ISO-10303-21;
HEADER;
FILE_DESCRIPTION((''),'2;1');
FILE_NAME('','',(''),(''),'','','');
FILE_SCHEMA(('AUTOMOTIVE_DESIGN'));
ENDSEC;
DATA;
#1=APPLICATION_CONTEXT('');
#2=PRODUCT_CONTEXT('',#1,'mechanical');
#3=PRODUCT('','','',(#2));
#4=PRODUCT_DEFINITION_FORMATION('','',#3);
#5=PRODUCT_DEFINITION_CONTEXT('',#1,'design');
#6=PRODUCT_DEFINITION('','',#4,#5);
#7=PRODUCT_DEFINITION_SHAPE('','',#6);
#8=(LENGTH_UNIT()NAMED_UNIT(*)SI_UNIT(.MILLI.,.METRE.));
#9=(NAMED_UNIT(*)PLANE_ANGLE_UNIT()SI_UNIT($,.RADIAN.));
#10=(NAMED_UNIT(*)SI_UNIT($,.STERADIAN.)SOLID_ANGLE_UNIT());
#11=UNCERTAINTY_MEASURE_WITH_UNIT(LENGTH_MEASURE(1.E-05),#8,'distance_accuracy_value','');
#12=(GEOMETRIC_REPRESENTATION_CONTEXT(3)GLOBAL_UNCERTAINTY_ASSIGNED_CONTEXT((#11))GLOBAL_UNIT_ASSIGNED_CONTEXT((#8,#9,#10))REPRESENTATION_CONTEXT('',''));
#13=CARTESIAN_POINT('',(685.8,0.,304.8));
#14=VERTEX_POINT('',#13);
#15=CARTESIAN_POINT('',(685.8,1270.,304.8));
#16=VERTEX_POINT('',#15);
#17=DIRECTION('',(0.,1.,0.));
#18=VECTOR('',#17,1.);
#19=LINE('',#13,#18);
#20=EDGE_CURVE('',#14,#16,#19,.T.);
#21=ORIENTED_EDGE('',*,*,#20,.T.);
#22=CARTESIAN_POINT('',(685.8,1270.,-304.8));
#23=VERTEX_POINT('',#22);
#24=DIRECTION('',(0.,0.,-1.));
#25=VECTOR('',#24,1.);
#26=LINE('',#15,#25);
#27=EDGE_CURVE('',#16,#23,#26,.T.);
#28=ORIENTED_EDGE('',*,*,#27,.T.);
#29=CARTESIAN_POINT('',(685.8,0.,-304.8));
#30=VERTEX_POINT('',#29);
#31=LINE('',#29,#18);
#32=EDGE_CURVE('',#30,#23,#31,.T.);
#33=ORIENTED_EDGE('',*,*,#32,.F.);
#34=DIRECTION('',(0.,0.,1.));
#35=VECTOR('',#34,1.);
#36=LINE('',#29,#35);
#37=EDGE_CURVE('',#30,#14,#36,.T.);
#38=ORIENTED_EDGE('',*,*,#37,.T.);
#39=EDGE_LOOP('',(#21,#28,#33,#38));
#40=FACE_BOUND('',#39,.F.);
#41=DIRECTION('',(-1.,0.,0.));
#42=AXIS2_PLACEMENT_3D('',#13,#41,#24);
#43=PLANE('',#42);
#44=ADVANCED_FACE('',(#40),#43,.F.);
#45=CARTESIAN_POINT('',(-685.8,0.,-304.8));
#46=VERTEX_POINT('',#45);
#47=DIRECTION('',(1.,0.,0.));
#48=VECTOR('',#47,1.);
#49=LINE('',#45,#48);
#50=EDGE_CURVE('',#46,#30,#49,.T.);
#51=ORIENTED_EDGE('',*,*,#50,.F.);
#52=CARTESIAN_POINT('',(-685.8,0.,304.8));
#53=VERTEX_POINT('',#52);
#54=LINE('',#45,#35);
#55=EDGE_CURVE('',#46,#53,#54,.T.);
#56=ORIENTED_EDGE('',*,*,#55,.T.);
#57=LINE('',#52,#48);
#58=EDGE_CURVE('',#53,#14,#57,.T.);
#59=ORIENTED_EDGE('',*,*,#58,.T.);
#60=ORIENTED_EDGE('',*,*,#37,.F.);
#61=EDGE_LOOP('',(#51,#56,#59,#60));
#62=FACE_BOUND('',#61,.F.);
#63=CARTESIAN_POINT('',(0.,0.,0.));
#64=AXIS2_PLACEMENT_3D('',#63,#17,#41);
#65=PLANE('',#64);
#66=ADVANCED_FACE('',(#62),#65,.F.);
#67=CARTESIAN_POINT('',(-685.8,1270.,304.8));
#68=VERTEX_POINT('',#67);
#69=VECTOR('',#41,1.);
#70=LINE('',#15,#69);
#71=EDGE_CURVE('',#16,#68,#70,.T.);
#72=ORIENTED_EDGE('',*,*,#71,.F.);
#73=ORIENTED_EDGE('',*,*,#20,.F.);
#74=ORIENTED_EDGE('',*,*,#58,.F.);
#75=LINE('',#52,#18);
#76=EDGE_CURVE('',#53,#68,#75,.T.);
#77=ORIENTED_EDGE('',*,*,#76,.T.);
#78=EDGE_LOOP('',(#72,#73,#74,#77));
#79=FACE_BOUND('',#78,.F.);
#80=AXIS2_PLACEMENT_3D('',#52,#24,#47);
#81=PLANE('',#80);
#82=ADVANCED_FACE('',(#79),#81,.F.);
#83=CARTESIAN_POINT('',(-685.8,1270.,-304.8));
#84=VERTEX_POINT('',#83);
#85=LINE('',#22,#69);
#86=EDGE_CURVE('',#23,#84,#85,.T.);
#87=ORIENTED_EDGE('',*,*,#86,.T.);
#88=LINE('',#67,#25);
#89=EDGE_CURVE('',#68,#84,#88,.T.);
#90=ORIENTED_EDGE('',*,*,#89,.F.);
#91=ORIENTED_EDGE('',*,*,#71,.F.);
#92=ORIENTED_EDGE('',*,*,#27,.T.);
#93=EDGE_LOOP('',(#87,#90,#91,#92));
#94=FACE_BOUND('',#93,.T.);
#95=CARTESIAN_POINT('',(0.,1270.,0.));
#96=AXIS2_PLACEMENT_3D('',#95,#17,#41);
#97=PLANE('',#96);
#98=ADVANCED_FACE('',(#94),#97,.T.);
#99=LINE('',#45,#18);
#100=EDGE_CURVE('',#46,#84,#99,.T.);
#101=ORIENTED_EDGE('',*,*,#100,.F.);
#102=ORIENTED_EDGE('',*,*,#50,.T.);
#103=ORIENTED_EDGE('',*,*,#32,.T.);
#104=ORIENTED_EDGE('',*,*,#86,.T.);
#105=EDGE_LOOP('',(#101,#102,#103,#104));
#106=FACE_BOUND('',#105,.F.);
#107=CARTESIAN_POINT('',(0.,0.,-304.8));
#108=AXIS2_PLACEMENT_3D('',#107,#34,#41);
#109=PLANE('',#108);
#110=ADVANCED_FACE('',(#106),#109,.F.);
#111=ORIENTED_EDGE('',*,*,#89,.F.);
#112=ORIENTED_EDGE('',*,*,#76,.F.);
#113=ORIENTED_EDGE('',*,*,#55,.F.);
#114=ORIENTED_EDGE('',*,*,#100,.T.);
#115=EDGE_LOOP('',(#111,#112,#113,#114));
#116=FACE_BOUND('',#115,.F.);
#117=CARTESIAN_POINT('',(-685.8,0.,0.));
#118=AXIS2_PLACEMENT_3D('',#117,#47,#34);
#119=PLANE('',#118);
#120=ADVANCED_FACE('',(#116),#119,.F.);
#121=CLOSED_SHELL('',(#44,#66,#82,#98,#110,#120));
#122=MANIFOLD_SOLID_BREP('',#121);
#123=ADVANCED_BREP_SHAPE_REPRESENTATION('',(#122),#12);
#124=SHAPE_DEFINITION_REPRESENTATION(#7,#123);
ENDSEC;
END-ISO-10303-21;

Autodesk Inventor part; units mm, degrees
ref_plane "YZ Plane" through (0, 0, 0) normal (1, 0, 0) x (0, 1, 0)
ref_plane "XZ Plane" through (0, 0, 0) normal (0, 1, 0) x (-1, 0, 0)
ref_plane "XY Plane" through (0, 0, 0) normal (0, 0, 1) x (1, 0, 0)
sketch "Sketch1" plane through (0, 0, 0) normal (0, 1, 0) x (-1, 0, 0)
  line L0 (685.8, 304.8) -> (-685.8, 304.8)
  line L1 (-685.8, 304.8) -> (-685.8, -304.8)
  line L2 (-685.8, -304.8) -> (685.8, -304.8)
  line L3 (685.8, -304.8) -> (685.8, 304.8)
  line L4 (0, -426.72) -> (0, 426.72) projected
  line L5 (-960.12, 0) -> (960.12, 0) projected
  line L6 (960.12, 0) -> (-960.12, 0) projected
  line L7 (0, -426.72) -> (0, 426.72) projected
  point P0 (0, 0)
  dimension "d0" = 1371.6
  dimension "d1" = 609.6
extrude "Extrusion1" add sketch "Sketch1" along normal blind 1270
properties part number "SouthEastWallBlock"
